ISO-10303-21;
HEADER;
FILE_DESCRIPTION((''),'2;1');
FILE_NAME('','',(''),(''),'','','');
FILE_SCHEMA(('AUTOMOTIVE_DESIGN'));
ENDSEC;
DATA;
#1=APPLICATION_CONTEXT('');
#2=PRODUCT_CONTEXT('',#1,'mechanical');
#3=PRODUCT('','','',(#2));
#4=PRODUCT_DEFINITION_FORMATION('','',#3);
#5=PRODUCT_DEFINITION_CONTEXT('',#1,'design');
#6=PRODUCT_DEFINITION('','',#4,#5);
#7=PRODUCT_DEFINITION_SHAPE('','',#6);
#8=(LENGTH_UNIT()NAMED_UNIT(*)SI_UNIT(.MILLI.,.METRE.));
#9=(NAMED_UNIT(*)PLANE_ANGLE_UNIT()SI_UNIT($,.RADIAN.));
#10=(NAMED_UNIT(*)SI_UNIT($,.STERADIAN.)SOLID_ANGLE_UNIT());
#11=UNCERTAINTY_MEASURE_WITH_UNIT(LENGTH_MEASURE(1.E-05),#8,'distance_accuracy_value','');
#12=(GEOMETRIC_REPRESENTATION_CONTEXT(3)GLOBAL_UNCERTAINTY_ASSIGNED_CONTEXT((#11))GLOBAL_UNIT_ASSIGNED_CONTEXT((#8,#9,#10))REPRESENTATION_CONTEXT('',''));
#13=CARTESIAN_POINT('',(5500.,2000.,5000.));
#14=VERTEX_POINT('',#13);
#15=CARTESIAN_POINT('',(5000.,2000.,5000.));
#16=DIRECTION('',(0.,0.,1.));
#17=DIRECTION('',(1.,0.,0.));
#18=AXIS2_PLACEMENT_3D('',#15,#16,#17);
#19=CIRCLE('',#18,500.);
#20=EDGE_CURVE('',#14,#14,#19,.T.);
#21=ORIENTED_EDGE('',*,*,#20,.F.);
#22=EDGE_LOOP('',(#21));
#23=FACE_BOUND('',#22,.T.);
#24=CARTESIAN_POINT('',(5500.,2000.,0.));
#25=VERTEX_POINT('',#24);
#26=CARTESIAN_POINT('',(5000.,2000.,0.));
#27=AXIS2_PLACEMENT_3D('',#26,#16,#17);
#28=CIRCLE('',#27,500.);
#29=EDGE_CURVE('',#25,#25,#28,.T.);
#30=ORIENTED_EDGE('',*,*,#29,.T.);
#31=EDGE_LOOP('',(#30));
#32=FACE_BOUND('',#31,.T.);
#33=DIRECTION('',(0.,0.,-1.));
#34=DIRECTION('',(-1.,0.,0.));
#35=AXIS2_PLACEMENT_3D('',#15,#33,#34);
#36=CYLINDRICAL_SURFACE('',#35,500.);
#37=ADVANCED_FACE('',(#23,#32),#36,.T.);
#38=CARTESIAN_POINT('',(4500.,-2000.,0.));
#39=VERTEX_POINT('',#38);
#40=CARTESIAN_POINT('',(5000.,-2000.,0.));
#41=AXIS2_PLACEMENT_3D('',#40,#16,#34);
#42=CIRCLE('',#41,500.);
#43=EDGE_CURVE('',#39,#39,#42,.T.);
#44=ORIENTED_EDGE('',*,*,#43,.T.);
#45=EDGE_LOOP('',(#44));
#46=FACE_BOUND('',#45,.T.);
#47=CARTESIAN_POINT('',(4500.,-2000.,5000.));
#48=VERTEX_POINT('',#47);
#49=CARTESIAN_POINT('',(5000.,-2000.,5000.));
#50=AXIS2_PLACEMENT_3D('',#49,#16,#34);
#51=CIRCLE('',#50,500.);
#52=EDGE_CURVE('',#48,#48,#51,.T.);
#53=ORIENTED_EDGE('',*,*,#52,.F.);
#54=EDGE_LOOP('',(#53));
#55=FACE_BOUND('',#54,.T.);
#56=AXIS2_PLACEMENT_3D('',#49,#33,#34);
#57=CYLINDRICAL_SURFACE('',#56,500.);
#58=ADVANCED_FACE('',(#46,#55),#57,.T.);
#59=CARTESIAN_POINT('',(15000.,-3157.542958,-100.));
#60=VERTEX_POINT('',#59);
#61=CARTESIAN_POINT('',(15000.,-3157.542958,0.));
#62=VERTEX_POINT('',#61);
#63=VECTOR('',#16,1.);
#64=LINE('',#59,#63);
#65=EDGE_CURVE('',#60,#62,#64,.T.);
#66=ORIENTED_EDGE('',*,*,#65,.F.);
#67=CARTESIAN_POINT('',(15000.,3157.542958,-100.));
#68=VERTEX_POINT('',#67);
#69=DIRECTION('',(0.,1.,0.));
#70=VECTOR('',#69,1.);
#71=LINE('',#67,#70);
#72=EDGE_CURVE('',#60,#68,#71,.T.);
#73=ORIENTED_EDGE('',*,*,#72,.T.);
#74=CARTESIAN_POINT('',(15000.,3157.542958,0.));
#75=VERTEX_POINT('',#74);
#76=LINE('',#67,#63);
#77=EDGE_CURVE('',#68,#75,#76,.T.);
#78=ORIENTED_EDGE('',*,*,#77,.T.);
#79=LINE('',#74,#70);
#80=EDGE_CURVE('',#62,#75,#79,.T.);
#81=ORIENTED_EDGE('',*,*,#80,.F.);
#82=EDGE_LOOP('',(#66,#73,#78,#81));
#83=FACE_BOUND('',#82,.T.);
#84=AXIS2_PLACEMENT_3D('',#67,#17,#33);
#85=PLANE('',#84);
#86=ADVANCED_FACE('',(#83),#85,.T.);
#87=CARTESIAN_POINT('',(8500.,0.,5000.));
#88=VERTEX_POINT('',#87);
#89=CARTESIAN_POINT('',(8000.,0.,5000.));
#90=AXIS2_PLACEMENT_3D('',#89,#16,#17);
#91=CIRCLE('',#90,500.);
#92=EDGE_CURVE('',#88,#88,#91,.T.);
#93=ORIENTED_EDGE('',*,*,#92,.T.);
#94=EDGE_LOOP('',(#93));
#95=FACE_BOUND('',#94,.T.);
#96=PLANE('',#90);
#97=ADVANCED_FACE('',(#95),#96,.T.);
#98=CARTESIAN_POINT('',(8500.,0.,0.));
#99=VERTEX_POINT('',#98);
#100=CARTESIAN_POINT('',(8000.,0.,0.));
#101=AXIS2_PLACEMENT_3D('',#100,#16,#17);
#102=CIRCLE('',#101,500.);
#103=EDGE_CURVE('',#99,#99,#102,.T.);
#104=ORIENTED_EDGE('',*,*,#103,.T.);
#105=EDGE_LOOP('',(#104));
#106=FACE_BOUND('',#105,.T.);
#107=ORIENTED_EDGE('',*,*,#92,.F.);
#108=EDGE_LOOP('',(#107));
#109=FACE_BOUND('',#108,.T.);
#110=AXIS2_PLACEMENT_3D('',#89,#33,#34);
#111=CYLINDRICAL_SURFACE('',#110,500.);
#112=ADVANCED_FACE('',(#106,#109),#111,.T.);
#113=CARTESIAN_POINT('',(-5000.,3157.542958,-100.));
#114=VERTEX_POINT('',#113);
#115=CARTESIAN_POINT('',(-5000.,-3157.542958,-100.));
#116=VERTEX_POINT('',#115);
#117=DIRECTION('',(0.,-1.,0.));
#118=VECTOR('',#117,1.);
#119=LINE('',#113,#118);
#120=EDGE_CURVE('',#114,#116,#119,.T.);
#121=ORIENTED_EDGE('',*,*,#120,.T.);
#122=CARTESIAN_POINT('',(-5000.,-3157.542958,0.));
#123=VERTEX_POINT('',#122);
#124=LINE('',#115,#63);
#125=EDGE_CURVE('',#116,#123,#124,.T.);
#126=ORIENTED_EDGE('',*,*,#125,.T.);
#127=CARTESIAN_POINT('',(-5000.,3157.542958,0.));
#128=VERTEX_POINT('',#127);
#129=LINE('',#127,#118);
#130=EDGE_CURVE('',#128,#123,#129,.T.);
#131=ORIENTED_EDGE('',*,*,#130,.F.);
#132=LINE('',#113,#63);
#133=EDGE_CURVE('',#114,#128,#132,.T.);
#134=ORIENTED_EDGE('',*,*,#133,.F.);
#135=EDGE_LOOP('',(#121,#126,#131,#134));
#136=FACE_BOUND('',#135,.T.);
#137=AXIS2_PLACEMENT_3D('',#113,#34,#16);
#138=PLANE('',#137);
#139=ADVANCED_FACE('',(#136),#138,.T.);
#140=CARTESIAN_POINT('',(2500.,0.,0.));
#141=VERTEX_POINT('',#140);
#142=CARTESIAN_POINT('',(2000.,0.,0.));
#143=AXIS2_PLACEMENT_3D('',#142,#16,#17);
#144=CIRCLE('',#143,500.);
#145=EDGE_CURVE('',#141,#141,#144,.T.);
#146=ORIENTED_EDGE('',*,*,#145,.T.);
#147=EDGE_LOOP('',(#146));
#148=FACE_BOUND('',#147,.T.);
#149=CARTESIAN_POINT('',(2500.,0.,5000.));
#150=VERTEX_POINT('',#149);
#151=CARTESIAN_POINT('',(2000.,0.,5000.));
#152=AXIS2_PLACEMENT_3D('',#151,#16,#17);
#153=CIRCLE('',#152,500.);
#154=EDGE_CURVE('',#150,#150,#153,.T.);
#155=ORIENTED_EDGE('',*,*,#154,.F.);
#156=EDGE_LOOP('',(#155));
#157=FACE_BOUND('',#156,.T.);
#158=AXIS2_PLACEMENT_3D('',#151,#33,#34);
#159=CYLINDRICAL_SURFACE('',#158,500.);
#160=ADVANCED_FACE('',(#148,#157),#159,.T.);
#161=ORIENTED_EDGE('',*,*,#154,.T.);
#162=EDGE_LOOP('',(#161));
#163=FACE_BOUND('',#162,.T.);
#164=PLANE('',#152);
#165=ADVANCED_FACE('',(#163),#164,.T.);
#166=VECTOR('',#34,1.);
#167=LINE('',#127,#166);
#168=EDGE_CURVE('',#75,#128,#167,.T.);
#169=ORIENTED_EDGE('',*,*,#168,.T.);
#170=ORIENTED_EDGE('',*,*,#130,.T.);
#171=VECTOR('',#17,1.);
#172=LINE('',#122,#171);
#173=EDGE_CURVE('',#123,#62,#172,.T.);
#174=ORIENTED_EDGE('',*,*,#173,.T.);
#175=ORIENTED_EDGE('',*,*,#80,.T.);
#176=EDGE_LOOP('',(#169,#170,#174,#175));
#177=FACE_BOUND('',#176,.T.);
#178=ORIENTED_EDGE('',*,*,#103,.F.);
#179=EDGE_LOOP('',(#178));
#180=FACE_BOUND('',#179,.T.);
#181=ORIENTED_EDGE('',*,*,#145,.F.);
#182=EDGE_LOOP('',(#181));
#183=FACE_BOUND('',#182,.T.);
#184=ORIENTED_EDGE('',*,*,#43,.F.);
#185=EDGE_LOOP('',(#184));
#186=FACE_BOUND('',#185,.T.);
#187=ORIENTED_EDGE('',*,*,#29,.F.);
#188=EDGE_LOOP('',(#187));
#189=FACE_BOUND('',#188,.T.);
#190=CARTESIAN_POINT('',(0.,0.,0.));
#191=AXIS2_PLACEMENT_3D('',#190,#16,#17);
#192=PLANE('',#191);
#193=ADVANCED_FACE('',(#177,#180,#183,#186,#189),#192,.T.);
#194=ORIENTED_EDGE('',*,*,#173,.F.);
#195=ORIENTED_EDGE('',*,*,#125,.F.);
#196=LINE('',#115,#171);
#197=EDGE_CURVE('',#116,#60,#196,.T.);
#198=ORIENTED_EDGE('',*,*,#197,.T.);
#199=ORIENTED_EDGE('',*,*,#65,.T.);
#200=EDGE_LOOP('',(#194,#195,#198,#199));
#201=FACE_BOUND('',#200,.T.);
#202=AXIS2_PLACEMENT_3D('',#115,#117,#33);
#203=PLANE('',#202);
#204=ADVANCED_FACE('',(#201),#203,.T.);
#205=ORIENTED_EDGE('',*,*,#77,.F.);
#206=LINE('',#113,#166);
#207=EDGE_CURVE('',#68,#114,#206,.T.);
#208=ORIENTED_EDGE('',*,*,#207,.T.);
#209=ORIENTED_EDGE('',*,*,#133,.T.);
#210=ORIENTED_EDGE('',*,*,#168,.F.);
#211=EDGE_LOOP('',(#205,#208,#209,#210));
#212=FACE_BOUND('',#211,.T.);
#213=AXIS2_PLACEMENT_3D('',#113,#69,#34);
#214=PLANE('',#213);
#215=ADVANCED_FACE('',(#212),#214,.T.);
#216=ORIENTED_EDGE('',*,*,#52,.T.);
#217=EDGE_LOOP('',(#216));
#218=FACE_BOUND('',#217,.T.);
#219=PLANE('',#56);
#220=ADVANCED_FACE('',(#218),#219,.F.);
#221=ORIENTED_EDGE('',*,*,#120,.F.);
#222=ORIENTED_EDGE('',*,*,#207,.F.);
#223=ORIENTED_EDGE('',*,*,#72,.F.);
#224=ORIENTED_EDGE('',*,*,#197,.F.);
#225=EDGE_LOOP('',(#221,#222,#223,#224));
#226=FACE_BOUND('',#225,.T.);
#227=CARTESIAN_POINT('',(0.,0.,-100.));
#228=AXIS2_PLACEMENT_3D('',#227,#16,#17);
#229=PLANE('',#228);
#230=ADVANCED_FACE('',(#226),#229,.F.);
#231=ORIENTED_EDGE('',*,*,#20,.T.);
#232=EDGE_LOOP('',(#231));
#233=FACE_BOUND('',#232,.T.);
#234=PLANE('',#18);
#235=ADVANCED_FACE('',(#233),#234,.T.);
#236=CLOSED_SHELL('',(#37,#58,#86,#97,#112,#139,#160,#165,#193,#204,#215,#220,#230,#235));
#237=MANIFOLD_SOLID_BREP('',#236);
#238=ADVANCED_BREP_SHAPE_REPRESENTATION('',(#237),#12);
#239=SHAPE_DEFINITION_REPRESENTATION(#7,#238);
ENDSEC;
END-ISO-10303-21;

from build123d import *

# Parameters (mm, degrees)
SKETCH6_W           = 20000
SKETCH6_H           = 6315.085915388
BOSS_EXTRUDE3_DEPTH = 100
SKETCH7_R           = 500
BOSS_EXTRUDE4_DEPTH = 5000


with BuildPart() as part:
    # Sketch6 → Boss-Extrude3 (new body)
    with BuildSketch(Plane.XY):
        with Locations((5000, 0)):
            Rectangle(SKETCH6_W, SKETCH6_H)
    extrude(amount=-BOSS_EXTRUDE3_DEPTH)

    # Sketch7 → Boss-Extrude4 (add)
    with BuildSketch(Plane.XY):
        with Locations((2000, 0)):
            Circle(SKETCH7_R)
        with Locations((8000, 0)):
            Circle(SKETCH7_R)
        with Locations((5000, 2000)):
            Circle(SKETCH7_R)
        with Locations(Location((5000, -2000, 0), (0, 0, 180))):
            Circle(SKETCH7_R)
    extrude(amount=BOSS_EXTRUDE4_DEPTH)


solid = part.part
